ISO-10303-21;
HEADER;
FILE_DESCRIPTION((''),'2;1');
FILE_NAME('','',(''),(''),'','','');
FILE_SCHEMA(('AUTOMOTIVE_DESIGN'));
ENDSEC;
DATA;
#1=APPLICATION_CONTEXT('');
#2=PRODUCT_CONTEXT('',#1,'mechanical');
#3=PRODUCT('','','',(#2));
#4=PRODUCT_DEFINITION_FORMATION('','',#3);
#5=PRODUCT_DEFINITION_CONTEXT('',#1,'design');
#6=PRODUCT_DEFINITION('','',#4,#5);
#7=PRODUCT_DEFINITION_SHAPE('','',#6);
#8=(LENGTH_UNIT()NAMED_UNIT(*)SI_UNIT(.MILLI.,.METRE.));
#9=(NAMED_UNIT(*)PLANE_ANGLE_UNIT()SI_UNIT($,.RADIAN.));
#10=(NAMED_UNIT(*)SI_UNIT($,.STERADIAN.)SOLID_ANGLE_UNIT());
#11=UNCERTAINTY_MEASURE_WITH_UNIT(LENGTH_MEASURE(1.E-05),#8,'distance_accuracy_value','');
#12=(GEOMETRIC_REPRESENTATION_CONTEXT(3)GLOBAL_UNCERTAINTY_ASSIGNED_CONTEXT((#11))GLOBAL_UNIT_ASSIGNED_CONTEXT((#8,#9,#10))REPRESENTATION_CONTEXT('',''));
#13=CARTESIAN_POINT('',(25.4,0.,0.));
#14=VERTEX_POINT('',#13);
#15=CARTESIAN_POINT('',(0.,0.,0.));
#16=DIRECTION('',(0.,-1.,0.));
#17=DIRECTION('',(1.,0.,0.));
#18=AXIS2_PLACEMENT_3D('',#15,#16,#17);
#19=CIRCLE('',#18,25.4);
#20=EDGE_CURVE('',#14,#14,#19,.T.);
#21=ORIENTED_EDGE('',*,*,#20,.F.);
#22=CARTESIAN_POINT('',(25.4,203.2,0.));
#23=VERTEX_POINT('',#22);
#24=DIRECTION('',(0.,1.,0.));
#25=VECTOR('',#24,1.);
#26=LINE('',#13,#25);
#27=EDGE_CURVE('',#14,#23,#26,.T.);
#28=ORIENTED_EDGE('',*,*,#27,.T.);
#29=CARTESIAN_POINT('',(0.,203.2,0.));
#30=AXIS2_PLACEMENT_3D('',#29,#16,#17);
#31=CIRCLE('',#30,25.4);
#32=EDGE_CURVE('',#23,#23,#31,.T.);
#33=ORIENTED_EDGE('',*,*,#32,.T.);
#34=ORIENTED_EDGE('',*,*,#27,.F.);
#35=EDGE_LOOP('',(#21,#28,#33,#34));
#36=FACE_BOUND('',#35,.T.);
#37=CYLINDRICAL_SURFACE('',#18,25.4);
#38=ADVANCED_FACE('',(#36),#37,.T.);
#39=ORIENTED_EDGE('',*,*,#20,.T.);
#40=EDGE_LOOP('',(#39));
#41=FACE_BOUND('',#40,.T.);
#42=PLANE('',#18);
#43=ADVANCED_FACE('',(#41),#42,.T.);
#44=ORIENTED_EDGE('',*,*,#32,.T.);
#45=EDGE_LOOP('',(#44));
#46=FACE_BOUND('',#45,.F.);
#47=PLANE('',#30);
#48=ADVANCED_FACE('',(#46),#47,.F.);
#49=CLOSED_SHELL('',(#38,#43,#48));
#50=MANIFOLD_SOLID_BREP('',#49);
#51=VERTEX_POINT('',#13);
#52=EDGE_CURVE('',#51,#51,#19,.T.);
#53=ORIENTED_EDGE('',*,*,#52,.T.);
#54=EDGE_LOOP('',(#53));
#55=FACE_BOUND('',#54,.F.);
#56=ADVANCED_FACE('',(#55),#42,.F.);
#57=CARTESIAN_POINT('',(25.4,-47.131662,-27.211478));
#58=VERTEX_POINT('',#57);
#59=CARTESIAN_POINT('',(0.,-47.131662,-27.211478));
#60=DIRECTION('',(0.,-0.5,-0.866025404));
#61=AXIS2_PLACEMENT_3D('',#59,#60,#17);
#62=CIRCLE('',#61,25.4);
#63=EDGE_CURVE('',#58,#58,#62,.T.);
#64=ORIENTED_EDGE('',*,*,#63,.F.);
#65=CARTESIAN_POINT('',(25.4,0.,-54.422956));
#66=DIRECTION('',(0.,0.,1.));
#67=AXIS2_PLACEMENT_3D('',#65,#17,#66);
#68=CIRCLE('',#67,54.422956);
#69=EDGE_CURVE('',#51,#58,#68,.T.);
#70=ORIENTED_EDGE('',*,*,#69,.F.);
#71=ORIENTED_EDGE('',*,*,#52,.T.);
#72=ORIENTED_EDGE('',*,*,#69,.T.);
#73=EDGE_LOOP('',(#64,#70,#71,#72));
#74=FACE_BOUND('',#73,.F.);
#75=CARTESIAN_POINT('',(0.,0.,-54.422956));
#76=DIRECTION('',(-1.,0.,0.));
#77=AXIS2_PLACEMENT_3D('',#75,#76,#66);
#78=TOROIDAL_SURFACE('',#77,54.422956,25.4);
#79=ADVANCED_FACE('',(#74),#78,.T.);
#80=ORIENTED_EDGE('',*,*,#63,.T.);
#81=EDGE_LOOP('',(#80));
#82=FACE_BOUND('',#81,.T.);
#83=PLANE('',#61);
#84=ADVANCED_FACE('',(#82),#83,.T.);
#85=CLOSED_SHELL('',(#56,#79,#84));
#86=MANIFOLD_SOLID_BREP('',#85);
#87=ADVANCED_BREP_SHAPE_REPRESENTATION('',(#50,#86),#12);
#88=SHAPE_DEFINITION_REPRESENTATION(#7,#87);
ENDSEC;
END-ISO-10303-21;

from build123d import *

# Parameters (mm, degrees)
F0_R     = 25.4
F1_ANGLE = 60
F2_DEPTH = 203.2


with BuildPart() as f1:
    # F0 (on Front) → F1 (revolve)
    with BuildSketch(Plane.XZ):
        Circle(F0_R)
    revolve(axis=Axis((25.208503, 0, -54.422956), (1, 0, 0)), revolution_arc=F1_ANGLE)


with BuildPart() as f2:
    # F0 (on Front) → F2 (new body)
    with BuildSketch(Plane.XZ):
        Circle(F0_R)
    extrude(amount=-F2_DEPTH)


solid = Compound([f1.part, f2.part])
